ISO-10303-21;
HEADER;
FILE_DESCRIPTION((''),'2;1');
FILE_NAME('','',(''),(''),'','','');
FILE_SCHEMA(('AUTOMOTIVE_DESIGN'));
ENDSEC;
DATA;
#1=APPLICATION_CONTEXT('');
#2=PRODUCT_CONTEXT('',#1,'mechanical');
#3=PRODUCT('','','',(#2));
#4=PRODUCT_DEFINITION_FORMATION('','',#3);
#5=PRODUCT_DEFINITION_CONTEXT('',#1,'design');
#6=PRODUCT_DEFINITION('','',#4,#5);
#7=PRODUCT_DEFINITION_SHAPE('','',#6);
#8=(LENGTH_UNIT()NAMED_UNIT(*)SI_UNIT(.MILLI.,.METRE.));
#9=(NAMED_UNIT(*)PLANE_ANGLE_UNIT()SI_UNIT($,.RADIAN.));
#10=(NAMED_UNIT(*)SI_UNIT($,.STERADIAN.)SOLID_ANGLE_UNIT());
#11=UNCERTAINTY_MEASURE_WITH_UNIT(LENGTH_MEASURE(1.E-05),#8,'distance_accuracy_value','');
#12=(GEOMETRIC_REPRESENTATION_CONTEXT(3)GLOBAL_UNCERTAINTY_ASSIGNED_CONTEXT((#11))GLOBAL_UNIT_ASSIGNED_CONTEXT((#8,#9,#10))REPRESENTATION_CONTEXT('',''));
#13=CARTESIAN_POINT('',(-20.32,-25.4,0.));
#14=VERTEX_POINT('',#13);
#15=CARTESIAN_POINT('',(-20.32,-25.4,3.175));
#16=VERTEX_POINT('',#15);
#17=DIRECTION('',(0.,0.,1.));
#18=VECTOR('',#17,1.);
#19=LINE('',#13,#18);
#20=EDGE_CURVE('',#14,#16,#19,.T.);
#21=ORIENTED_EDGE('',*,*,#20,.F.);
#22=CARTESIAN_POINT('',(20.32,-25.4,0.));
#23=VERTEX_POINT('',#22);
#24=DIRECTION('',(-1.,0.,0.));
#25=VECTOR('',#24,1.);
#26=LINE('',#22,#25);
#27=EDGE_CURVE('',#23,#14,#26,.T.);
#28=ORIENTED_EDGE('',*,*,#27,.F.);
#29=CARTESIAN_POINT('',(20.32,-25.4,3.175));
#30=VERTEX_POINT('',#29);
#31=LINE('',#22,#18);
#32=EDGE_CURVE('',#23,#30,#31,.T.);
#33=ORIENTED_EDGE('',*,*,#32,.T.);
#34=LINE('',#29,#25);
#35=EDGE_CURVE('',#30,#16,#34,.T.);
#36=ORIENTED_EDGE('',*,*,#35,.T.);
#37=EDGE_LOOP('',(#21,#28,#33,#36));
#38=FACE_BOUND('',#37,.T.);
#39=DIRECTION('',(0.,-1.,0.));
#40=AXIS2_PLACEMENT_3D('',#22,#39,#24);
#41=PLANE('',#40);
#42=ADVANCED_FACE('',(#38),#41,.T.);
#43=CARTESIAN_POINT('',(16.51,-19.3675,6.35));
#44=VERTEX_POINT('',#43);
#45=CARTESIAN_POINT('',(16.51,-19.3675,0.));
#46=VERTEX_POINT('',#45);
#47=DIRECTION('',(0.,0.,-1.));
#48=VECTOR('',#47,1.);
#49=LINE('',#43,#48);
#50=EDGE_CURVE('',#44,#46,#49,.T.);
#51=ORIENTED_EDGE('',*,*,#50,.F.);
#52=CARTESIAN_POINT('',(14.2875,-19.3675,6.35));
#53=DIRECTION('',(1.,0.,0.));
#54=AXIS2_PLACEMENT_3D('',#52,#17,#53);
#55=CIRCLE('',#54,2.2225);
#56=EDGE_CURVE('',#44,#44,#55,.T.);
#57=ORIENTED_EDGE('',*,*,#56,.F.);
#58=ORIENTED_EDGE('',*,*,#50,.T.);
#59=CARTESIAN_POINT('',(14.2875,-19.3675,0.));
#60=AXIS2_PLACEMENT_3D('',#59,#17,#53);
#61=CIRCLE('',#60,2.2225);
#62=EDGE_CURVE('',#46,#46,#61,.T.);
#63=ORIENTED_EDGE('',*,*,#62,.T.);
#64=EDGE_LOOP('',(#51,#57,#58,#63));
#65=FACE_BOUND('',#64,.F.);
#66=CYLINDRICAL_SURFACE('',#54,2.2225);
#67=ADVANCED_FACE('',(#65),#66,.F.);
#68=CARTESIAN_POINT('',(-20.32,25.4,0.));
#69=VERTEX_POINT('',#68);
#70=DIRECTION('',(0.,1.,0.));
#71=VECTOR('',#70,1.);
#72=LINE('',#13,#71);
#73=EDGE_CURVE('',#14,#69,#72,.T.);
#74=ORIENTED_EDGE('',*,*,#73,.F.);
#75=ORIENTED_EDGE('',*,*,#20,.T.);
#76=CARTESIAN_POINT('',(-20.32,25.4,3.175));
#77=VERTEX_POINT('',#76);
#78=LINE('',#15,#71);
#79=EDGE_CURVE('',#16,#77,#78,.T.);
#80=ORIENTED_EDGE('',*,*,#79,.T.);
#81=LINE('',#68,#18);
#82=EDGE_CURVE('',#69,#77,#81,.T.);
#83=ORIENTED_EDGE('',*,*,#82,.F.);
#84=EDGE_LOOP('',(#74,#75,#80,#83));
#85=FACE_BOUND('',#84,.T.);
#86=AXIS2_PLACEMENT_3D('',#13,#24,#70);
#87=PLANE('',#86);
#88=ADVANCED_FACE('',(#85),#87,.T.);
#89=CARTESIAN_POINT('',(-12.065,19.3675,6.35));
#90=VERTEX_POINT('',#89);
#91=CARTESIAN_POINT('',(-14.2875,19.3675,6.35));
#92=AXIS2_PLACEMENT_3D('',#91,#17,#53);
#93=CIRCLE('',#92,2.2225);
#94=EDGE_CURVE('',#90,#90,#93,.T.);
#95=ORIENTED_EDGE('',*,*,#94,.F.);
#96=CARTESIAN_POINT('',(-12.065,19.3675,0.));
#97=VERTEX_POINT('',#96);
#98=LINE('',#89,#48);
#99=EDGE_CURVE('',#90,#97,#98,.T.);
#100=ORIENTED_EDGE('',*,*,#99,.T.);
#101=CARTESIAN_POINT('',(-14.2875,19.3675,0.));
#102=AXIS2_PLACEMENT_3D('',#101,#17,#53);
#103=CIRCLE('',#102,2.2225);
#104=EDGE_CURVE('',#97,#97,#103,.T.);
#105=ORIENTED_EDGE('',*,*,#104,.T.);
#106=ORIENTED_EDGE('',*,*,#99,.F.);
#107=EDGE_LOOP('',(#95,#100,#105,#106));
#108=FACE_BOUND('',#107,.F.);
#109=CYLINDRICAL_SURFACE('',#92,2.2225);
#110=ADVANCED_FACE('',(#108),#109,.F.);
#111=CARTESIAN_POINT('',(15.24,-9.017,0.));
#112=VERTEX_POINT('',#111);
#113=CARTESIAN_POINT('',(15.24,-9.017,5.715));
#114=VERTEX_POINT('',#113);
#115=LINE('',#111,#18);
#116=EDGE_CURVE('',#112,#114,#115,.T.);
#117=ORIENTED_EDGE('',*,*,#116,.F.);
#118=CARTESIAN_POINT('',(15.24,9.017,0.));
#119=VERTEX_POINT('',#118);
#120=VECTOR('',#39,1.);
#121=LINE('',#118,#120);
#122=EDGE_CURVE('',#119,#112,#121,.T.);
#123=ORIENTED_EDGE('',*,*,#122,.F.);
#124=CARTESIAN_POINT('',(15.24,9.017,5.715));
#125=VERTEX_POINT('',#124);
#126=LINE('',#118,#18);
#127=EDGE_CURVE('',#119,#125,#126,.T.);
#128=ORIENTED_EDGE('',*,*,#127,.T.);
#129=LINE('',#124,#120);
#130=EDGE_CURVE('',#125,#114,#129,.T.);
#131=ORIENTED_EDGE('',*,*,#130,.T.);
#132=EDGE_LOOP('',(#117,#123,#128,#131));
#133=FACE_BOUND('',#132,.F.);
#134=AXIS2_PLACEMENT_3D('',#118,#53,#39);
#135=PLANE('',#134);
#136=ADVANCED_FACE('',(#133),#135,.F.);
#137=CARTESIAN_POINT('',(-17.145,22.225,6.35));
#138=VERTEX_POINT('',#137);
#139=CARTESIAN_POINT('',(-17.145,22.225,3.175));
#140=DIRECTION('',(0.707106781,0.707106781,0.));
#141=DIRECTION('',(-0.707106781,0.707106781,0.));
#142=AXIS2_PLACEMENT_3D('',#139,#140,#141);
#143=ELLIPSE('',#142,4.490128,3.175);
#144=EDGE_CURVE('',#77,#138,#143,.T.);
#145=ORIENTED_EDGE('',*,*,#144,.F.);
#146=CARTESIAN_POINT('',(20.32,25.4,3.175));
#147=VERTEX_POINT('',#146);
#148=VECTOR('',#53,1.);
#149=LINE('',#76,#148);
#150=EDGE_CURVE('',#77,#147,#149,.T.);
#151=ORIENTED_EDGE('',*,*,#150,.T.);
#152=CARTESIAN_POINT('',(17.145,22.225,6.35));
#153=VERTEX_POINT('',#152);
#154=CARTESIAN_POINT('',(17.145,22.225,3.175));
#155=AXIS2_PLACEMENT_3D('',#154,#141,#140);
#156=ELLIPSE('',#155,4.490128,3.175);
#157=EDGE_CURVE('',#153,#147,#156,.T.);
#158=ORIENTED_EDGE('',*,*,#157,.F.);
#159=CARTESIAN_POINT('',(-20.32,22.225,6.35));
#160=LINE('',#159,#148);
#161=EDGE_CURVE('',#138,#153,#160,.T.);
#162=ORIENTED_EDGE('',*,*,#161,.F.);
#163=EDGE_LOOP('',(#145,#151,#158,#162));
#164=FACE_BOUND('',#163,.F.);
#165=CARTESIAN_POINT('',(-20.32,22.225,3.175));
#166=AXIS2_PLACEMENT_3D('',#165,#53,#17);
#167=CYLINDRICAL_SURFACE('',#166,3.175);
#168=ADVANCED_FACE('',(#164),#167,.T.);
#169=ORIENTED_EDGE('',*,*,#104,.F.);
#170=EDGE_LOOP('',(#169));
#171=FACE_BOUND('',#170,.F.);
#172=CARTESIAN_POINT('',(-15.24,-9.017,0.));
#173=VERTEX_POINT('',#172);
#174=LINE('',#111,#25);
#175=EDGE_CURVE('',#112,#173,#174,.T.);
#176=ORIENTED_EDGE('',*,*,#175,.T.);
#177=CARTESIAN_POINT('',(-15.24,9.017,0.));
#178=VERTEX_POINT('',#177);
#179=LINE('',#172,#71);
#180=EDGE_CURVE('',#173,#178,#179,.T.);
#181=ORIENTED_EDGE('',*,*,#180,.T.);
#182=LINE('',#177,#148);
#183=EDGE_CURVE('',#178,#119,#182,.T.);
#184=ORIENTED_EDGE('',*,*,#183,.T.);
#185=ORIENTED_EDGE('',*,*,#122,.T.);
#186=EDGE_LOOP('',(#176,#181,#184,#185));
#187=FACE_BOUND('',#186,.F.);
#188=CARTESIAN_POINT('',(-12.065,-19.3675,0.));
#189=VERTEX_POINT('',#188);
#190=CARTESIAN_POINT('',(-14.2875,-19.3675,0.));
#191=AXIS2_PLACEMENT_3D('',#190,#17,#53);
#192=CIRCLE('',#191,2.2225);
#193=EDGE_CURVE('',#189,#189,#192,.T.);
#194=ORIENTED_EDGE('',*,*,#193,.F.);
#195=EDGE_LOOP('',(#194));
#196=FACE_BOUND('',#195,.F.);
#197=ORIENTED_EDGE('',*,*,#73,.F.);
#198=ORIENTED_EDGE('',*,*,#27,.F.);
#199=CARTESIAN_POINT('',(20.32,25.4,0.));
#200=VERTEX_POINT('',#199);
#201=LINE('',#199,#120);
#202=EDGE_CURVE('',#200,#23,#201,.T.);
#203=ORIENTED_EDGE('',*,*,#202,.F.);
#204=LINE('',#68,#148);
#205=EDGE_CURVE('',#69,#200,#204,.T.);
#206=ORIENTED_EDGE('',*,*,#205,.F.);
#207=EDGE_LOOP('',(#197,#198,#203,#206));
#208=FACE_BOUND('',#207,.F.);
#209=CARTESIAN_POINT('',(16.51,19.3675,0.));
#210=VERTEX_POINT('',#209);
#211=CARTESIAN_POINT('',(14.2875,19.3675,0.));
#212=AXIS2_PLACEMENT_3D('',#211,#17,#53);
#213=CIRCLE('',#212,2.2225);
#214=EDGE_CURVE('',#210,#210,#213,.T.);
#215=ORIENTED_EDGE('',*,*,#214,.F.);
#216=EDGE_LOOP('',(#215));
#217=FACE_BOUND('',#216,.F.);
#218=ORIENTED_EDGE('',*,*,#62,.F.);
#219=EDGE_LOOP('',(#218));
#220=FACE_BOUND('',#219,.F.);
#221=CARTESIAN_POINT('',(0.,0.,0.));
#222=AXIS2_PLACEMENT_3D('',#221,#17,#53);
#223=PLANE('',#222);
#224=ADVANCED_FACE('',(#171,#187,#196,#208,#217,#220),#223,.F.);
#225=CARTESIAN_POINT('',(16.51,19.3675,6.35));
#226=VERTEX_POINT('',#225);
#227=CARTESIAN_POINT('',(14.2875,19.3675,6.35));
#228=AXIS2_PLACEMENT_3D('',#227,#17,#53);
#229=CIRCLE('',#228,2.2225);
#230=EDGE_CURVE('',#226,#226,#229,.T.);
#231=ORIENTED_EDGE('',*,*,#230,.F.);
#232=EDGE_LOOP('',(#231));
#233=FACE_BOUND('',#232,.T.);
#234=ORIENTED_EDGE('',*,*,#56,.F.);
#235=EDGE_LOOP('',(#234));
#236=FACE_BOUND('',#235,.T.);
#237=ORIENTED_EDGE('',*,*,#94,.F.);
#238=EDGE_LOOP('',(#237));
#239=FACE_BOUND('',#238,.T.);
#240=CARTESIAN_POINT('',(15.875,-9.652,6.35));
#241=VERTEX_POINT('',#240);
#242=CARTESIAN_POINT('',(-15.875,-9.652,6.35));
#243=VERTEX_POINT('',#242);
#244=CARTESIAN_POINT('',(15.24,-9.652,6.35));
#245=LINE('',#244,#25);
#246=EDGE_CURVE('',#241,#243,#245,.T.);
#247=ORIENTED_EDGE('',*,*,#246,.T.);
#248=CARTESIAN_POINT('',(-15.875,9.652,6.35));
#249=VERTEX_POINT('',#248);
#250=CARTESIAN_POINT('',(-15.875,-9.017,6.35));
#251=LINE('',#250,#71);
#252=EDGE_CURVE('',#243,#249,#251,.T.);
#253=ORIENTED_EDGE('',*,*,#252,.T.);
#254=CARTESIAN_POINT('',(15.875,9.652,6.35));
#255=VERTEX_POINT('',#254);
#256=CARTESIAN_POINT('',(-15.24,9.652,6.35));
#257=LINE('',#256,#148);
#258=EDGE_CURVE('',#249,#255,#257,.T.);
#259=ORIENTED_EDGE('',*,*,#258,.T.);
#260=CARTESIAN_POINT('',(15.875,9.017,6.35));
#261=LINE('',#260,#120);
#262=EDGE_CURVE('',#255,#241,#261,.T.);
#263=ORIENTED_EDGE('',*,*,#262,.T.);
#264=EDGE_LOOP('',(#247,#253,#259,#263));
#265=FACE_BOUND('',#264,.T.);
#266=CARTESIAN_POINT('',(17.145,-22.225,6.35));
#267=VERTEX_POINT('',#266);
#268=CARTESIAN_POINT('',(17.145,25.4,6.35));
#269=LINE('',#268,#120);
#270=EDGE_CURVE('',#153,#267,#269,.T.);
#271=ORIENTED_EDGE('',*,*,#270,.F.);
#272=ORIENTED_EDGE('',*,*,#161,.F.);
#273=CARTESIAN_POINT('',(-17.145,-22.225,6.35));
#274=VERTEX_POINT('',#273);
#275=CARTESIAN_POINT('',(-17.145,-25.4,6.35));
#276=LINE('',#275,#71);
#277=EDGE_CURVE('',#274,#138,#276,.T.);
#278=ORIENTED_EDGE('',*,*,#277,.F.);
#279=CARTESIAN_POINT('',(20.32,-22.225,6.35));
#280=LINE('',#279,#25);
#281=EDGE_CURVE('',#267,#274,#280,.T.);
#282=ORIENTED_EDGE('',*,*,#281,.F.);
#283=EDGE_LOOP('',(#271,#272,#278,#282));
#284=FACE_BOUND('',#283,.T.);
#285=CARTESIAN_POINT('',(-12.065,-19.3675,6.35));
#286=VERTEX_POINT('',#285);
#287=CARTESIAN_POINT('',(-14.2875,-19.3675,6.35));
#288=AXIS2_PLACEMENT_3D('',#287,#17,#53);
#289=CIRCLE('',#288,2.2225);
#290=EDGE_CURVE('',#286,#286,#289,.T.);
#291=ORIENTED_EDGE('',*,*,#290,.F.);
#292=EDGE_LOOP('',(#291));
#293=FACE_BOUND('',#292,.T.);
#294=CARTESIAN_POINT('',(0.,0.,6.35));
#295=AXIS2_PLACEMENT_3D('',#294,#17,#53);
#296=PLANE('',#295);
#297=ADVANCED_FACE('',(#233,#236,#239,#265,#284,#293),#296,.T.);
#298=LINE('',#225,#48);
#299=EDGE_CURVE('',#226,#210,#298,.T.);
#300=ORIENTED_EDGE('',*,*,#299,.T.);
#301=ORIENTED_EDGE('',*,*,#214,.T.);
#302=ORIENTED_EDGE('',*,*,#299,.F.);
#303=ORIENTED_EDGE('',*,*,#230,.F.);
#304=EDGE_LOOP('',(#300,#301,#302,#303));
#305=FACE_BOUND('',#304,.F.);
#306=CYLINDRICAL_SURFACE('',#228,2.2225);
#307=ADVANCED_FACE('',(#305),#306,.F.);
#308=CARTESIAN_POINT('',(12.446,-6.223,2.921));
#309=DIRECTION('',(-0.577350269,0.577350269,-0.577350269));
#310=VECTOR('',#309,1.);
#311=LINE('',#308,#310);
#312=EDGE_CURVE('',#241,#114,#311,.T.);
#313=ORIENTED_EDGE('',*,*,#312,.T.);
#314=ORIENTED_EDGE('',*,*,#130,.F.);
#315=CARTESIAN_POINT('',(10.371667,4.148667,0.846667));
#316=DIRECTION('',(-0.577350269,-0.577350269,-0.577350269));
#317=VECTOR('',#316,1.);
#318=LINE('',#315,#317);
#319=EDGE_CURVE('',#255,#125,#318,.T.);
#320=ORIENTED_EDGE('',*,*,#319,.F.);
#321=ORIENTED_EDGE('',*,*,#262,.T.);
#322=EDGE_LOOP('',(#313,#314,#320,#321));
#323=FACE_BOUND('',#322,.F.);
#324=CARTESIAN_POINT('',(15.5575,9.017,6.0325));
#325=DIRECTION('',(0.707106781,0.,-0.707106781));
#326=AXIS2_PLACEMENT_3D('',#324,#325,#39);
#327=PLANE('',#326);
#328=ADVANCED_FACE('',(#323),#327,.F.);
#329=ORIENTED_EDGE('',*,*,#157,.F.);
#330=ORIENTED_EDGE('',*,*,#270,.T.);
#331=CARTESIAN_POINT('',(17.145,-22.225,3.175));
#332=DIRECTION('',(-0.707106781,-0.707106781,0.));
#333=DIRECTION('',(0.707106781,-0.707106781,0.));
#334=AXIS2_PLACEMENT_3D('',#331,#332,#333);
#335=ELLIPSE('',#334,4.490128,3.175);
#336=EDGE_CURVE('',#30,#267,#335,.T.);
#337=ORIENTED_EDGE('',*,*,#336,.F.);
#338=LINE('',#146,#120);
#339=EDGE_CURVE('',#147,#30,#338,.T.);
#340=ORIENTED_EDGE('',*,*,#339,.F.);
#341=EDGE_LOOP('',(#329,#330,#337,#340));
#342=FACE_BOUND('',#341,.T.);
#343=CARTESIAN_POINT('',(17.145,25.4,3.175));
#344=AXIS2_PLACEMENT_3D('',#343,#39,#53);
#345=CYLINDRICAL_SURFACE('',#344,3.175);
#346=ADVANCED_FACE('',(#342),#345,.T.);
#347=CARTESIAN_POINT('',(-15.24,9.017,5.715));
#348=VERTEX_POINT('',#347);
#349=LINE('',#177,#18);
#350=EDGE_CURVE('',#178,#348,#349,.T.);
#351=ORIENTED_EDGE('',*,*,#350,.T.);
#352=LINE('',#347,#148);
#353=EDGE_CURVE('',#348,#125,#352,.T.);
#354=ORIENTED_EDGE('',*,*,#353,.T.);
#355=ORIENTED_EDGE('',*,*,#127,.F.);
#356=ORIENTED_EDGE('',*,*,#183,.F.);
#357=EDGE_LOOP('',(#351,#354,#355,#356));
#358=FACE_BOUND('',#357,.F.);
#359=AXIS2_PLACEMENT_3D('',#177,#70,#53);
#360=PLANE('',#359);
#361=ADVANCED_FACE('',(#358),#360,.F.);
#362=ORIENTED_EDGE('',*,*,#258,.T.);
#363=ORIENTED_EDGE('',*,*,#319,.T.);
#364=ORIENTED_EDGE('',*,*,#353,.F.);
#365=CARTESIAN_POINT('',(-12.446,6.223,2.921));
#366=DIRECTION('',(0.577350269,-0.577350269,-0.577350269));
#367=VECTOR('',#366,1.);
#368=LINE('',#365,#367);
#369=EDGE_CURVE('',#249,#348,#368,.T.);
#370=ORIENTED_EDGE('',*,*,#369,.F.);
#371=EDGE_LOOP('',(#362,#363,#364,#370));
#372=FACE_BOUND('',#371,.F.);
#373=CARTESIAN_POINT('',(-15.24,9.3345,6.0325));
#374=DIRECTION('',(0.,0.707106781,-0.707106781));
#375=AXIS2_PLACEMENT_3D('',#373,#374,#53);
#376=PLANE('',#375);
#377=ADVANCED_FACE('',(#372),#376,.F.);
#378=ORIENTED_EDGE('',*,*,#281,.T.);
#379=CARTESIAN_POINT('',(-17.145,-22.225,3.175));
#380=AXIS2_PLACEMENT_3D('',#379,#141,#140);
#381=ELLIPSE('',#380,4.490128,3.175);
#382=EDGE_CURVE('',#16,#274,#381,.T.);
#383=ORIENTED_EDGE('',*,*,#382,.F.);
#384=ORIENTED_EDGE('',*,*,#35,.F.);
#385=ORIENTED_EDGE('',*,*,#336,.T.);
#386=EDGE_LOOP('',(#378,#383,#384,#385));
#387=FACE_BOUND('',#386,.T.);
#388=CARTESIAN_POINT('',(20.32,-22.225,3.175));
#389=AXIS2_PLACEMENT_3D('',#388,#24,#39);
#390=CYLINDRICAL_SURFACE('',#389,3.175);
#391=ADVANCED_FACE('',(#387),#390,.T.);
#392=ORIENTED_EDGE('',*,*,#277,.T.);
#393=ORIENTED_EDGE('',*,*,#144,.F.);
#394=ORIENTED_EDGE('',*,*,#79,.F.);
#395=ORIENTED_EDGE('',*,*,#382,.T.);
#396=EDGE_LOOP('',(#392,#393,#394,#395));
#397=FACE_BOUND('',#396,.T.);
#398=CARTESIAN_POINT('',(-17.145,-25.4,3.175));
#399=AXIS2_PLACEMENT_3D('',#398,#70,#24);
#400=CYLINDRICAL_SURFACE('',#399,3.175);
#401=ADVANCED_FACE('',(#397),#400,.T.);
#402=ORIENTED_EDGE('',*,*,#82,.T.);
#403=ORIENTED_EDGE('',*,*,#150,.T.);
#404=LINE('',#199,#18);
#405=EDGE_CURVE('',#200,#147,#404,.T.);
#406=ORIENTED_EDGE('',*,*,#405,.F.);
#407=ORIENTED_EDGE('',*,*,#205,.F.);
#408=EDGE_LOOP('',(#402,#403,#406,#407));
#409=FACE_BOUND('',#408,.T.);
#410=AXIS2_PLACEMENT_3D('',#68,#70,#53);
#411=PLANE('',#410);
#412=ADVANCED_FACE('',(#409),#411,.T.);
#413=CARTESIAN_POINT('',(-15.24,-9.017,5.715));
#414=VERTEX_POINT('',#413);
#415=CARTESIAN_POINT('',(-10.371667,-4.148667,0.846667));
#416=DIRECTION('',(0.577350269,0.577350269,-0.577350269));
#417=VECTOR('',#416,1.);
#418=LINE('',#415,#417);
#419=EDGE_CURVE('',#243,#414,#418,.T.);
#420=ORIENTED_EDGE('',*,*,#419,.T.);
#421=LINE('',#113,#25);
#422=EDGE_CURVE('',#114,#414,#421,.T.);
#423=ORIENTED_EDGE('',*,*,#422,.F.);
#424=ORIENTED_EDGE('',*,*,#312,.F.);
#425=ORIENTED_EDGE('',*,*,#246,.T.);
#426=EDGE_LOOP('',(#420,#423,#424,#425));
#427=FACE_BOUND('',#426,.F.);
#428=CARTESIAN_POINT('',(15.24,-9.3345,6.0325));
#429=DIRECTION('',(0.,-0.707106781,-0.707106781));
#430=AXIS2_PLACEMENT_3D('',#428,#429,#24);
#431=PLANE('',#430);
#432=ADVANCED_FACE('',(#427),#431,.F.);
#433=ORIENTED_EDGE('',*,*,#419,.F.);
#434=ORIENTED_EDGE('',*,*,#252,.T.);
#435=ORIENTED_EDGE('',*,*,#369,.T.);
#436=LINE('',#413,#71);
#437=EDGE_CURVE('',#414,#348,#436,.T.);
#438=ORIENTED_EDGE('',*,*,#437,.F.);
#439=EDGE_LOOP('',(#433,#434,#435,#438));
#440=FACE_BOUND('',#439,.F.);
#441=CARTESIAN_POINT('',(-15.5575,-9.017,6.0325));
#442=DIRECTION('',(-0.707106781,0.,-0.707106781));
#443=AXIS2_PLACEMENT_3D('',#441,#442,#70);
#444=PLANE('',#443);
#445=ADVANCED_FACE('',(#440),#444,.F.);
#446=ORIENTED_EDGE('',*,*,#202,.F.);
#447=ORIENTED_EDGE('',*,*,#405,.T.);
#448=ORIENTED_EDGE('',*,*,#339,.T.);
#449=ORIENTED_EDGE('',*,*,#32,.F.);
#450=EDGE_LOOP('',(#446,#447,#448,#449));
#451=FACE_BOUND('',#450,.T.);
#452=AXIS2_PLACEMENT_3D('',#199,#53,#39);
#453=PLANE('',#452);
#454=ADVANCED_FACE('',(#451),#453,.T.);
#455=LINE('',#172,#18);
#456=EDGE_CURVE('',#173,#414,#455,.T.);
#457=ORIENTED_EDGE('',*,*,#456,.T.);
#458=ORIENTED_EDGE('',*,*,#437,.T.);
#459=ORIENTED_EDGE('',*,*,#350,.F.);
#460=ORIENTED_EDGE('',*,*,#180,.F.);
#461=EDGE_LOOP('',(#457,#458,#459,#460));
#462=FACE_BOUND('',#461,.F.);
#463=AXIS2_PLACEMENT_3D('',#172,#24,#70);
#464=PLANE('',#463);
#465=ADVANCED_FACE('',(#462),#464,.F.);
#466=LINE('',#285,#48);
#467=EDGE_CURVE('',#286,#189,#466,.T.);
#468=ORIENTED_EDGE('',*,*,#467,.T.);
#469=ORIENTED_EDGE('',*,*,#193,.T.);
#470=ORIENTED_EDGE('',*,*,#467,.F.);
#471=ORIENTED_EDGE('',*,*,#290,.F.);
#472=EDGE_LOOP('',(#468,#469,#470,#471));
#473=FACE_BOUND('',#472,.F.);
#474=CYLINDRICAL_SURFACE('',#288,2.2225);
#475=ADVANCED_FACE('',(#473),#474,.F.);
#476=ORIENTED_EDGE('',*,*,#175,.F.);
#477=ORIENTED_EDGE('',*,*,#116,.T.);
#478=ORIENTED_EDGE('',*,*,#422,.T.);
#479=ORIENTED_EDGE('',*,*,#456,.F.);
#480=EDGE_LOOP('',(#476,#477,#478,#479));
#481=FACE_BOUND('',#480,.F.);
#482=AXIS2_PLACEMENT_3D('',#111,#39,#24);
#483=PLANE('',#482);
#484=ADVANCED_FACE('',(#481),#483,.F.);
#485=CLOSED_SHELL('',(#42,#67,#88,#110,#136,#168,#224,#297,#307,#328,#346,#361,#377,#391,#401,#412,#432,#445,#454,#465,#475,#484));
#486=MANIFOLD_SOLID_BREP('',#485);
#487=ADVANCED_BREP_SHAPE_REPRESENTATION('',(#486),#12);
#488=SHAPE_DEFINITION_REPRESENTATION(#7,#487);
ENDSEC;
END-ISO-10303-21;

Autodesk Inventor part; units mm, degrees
ref_plane "YZ Plane" through (0, 0, 0) normal (1, 0, 0) x (0, 1, 0)
ref_plane "XZ Plane" through (0, 0, 0) normal (0, 1, 0) x (-1, 0, 0)
ref_plane "XY Plane" through (0, 0, 0) normal (0, 0, 1) x (1, 0, 0)
sketch "Sketch1" plane through (0, 0, 0) normal (0, 0, 1) x (1, 0, 0)
  line L0 (20.32, -25.4) -> (-20.32, -25.4)
  line L1 (-20.32, -25.4) -> (-20.32, 25.4)
  line L2 (-20.32, 25.4) -> (20.32, 25.4)
  line L3 (20.32, 25.4) -> (20.32, -25.4)
  line L4 (20.32, -25.4) -> (-20.32, 25.4) construction
  line L5 (-20.32, -25.4) -> (20.32, 25.4) construction
  line L6 (15.24, -9.017) -> (-15.24, -9.017)
  line L7 (-15.24, -9.017) -> (-15.24, 9.017)
  line L8 (-15.24, 9.017) -> (15.24, 9.017)
  line L9 (15.24, 9.017) -> (15.24, -9.017)
  line L10 (15.24, -9.017) -> (-15.24, 9.017) construction
  line L11 (-15.24, -9.017) -> (15.24, 9.017) construction
  point P0 (0, 0)
  point P1 (0, 0)
  point P2 (0, 0)
  point P3 (0, 0)
  point P4 (0, 0)
  dimension "d0" = 40.64
  dimension "d1" = 30.48
  dimension "d3" = 50.8
  dimension "d4" = 18.034
extrude "Extrusion1" add sketch "Sketch1" along normal blind 6.35
sketch "Sketch2" plane through (0, 0, 6.35) normal (0, 0, 1) x (1, 0, 0)
  circle A0 centre (-14.2875, -19.3675) radius 2.2225
  circle A1 centre (14.2875, -19.3675) radius 2.2225
  line L0 (-20.32, -25.4) -> (20.32, -25.4) projected
  line L1 (-15.24, -9.017) -> (-15.24, 9.017) projected
  line L2 (-15.24, 9.017) -> (15.24, 9.017) projected
  line L3 (15.24, 9.017) -> (15.24, -9.017) projected
  line L4 (15.24, -9.017) -> (-15.24, -9.017) projected
  line L5 (-20.32, -25.4) -> (20.32, -25.4) projected
  line L6 (20.32, -25.4) -> (20.32, 25.4) projected
  line L7 (20.32, 25.4) -> (-20.32, 25.4) projected
  line L8 (-20.32, 25.4) -> (-20.32, -25.4) projected
  circle A2 centre (-14.2875, 19.3675) radius 2.2225
  circle A3 centre (14.2875, 19.3675) radius 2.2225
  point P0 (0, 0)
  dimension "d7" = 4.445
  dimension "d8" = 3.81
  dimension "d10" = 3.81
  dimension "d11" = 3.81
  dimension "d18" = 3.81
extrude "Extrusion2" cut sketch "Sketch2" against normal through all contours A0 | A1 | A2 | A3
fillet "Fillet1" radius 3.175 4 edges at (-20.32, 0, 6.35) (0, 25.4, 6.35) (20.32, 0, 6.35) (0, -25.4, 6.35)
chamfer "Chamfer1" distance 0.635 angle 45 4 edges at (-15.24, 0, 6.35) (0, 9.017, 6.35) (15.24, 0, 6.35) (0, -9.017, 6.35)
equation "\"d10\" = d11"
equation "\"d11\" = d8"
equation "\"d18\" = d8"
properties part number "Molex Mount"
